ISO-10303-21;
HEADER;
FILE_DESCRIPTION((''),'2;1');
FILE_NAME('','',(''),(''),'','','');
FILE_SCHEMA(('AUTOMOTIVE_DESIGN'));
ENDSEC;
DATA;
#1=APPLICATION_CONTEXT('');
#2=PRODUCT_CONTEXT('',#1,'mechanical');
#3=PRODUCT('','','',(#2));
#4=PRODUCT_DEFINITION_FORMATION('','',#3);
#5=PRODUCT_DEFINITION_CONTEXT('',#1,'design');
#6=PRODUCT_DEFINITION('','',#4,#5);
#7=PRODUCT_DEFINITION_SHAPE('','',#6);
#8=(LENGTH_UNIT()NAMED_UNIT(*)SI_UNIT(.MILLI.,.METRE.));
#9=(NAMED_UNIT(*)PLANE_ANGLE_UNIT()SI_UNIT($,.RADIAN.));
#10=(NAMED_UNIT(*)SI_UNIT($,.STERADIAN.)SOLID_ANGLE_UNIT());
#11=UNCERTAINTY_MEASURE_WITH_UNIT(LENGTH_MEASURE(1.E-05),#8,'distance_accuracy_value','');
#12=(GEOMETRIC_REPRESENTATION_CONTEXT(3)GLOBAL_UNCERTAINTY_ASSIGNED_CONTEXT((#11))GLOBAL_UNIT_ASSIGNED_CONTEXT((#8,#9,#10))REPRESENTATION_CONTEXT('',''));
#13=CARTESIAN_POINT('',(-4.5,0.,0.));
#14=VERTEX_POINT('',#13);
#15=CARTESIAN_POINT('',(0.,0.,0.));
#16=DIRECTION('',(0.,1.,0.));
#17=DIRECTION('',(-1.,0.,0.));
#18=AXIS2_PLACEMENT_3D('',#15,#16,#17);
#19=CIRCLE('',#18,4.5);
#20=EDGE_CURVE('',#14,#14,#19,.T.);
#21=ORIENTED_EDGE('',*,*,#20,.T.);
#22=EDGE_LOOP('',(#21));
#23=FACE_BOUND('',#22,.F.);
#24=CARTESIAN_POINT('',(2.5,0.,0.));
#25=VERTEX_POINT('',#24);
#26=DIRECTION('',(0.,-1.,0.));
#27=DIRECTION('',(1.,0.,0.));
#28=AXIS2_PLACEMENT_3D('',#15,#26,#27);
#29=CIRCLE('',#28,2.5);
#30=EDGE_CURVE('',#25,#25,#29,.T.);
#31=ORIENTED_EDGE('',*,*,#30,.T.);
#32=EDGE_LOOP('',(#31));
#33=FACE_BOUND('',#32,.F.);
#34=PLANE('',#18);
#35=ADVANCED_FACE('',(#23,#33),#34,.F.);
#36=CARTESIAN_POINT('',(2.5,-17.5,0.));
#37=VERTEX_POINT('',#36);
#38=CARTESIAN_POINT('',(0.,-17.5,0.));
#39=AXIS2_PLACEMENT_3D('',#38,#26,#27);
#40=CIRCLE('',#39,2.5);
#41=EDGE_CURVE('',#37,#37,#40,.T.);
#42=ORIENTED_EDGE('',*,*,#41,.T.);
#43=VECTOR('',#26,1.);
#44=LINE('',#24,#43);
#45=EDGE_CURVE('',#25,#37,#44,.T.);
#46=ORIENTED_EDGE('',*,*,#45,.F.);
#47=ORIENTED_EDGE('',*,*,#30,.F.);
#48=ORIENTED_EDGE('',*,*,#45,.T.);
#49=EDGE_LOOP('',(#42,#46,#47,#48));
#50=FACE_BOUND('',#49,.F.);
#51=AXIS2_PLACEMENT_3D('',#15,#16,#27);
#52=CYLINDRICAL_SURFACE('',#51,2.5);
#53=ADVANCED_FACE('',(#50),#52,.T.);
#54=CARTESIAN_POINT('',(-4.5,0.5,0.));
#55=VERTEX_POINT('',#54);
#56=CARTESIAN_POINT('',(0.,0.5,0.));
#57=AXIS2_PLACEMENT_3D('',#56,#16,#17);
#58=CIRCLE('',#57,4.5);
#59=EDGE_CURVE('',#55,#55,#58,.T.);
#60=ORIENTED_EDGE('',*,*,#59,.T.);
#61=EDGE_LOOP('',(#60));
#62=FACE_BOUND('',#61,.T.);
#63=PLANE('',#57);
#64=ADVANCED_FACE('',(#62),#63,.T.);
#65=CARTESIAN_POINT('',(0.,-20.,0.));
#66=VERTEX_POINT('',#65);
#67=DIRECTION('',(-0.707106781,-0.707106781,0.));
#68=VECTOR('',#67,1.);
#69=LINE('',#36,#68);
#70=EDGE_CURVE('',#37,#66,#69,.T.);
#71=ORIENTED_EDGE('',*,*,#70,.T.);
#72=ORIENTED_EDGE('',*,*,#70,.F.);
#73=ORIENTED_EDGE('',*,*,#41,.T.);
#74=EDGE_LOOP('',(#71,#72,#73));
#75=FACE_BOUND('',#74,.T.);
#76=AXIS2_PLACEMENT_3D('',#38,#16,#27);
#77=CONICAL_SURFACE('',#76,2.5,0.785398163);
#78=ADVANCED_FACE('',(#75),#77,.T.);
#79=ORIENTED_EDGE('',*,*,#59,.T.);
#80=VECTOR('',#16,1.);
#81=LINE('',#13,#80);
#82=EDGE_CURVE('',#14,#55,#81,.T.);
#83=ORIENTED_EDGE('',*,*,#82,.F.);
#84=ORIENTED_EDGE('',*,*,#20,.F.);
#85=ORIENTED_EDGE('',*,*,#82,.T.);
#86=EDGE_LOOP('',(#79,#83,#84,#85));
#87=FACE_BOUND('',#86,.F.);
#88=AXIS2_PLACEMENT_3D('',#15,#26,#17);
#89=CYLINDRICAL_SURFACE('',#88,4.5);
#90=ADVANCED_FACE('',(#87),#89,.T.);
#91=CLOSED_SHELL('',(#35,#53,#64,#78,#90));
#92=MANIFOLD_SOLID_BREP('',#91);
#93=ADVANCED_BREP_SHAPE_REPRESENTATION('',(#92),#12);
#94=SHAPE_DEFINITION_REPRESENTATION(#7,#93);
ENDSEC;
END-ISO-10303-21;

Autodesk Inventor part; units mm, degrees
ref_plane "YZ Plane" through (0, 0, 0) normal (1, 0, 0) x (0, 1, 0)
ref_plane "XZ Plane" through (0, 0, 0) normal (0, 1, 0) x (-1, 0, 0)
ref_plane "XY Plane" through (0, 0, 0) normal (0, 0, 1) x (1, 0, 0)
sketch "Sketch1" plane through (0, 0, 0) normal (0, 1, 0) x (-1, 0, 0)
  circle A0 centre (0, 0) radius 4.5
  dimension "d0" = 9
extrude "Extrusion1" add sketch "Sketch1" along normal blind 0.5
sketch "Sketch2" plane through (0, 0, 0) normal (0, -1, 0) x (1, 0, 0)
  circle A0 centre (0, 0) radius 2.5
  dimension "d3" = 5
extrude "Extrusion2" add sketch "Sketch2" along normal blind 20
chamfer "Chamfer1" distance 2.5 angle 45 1 edges at (-2.5, -20, 0)
properties part number "Pin"
